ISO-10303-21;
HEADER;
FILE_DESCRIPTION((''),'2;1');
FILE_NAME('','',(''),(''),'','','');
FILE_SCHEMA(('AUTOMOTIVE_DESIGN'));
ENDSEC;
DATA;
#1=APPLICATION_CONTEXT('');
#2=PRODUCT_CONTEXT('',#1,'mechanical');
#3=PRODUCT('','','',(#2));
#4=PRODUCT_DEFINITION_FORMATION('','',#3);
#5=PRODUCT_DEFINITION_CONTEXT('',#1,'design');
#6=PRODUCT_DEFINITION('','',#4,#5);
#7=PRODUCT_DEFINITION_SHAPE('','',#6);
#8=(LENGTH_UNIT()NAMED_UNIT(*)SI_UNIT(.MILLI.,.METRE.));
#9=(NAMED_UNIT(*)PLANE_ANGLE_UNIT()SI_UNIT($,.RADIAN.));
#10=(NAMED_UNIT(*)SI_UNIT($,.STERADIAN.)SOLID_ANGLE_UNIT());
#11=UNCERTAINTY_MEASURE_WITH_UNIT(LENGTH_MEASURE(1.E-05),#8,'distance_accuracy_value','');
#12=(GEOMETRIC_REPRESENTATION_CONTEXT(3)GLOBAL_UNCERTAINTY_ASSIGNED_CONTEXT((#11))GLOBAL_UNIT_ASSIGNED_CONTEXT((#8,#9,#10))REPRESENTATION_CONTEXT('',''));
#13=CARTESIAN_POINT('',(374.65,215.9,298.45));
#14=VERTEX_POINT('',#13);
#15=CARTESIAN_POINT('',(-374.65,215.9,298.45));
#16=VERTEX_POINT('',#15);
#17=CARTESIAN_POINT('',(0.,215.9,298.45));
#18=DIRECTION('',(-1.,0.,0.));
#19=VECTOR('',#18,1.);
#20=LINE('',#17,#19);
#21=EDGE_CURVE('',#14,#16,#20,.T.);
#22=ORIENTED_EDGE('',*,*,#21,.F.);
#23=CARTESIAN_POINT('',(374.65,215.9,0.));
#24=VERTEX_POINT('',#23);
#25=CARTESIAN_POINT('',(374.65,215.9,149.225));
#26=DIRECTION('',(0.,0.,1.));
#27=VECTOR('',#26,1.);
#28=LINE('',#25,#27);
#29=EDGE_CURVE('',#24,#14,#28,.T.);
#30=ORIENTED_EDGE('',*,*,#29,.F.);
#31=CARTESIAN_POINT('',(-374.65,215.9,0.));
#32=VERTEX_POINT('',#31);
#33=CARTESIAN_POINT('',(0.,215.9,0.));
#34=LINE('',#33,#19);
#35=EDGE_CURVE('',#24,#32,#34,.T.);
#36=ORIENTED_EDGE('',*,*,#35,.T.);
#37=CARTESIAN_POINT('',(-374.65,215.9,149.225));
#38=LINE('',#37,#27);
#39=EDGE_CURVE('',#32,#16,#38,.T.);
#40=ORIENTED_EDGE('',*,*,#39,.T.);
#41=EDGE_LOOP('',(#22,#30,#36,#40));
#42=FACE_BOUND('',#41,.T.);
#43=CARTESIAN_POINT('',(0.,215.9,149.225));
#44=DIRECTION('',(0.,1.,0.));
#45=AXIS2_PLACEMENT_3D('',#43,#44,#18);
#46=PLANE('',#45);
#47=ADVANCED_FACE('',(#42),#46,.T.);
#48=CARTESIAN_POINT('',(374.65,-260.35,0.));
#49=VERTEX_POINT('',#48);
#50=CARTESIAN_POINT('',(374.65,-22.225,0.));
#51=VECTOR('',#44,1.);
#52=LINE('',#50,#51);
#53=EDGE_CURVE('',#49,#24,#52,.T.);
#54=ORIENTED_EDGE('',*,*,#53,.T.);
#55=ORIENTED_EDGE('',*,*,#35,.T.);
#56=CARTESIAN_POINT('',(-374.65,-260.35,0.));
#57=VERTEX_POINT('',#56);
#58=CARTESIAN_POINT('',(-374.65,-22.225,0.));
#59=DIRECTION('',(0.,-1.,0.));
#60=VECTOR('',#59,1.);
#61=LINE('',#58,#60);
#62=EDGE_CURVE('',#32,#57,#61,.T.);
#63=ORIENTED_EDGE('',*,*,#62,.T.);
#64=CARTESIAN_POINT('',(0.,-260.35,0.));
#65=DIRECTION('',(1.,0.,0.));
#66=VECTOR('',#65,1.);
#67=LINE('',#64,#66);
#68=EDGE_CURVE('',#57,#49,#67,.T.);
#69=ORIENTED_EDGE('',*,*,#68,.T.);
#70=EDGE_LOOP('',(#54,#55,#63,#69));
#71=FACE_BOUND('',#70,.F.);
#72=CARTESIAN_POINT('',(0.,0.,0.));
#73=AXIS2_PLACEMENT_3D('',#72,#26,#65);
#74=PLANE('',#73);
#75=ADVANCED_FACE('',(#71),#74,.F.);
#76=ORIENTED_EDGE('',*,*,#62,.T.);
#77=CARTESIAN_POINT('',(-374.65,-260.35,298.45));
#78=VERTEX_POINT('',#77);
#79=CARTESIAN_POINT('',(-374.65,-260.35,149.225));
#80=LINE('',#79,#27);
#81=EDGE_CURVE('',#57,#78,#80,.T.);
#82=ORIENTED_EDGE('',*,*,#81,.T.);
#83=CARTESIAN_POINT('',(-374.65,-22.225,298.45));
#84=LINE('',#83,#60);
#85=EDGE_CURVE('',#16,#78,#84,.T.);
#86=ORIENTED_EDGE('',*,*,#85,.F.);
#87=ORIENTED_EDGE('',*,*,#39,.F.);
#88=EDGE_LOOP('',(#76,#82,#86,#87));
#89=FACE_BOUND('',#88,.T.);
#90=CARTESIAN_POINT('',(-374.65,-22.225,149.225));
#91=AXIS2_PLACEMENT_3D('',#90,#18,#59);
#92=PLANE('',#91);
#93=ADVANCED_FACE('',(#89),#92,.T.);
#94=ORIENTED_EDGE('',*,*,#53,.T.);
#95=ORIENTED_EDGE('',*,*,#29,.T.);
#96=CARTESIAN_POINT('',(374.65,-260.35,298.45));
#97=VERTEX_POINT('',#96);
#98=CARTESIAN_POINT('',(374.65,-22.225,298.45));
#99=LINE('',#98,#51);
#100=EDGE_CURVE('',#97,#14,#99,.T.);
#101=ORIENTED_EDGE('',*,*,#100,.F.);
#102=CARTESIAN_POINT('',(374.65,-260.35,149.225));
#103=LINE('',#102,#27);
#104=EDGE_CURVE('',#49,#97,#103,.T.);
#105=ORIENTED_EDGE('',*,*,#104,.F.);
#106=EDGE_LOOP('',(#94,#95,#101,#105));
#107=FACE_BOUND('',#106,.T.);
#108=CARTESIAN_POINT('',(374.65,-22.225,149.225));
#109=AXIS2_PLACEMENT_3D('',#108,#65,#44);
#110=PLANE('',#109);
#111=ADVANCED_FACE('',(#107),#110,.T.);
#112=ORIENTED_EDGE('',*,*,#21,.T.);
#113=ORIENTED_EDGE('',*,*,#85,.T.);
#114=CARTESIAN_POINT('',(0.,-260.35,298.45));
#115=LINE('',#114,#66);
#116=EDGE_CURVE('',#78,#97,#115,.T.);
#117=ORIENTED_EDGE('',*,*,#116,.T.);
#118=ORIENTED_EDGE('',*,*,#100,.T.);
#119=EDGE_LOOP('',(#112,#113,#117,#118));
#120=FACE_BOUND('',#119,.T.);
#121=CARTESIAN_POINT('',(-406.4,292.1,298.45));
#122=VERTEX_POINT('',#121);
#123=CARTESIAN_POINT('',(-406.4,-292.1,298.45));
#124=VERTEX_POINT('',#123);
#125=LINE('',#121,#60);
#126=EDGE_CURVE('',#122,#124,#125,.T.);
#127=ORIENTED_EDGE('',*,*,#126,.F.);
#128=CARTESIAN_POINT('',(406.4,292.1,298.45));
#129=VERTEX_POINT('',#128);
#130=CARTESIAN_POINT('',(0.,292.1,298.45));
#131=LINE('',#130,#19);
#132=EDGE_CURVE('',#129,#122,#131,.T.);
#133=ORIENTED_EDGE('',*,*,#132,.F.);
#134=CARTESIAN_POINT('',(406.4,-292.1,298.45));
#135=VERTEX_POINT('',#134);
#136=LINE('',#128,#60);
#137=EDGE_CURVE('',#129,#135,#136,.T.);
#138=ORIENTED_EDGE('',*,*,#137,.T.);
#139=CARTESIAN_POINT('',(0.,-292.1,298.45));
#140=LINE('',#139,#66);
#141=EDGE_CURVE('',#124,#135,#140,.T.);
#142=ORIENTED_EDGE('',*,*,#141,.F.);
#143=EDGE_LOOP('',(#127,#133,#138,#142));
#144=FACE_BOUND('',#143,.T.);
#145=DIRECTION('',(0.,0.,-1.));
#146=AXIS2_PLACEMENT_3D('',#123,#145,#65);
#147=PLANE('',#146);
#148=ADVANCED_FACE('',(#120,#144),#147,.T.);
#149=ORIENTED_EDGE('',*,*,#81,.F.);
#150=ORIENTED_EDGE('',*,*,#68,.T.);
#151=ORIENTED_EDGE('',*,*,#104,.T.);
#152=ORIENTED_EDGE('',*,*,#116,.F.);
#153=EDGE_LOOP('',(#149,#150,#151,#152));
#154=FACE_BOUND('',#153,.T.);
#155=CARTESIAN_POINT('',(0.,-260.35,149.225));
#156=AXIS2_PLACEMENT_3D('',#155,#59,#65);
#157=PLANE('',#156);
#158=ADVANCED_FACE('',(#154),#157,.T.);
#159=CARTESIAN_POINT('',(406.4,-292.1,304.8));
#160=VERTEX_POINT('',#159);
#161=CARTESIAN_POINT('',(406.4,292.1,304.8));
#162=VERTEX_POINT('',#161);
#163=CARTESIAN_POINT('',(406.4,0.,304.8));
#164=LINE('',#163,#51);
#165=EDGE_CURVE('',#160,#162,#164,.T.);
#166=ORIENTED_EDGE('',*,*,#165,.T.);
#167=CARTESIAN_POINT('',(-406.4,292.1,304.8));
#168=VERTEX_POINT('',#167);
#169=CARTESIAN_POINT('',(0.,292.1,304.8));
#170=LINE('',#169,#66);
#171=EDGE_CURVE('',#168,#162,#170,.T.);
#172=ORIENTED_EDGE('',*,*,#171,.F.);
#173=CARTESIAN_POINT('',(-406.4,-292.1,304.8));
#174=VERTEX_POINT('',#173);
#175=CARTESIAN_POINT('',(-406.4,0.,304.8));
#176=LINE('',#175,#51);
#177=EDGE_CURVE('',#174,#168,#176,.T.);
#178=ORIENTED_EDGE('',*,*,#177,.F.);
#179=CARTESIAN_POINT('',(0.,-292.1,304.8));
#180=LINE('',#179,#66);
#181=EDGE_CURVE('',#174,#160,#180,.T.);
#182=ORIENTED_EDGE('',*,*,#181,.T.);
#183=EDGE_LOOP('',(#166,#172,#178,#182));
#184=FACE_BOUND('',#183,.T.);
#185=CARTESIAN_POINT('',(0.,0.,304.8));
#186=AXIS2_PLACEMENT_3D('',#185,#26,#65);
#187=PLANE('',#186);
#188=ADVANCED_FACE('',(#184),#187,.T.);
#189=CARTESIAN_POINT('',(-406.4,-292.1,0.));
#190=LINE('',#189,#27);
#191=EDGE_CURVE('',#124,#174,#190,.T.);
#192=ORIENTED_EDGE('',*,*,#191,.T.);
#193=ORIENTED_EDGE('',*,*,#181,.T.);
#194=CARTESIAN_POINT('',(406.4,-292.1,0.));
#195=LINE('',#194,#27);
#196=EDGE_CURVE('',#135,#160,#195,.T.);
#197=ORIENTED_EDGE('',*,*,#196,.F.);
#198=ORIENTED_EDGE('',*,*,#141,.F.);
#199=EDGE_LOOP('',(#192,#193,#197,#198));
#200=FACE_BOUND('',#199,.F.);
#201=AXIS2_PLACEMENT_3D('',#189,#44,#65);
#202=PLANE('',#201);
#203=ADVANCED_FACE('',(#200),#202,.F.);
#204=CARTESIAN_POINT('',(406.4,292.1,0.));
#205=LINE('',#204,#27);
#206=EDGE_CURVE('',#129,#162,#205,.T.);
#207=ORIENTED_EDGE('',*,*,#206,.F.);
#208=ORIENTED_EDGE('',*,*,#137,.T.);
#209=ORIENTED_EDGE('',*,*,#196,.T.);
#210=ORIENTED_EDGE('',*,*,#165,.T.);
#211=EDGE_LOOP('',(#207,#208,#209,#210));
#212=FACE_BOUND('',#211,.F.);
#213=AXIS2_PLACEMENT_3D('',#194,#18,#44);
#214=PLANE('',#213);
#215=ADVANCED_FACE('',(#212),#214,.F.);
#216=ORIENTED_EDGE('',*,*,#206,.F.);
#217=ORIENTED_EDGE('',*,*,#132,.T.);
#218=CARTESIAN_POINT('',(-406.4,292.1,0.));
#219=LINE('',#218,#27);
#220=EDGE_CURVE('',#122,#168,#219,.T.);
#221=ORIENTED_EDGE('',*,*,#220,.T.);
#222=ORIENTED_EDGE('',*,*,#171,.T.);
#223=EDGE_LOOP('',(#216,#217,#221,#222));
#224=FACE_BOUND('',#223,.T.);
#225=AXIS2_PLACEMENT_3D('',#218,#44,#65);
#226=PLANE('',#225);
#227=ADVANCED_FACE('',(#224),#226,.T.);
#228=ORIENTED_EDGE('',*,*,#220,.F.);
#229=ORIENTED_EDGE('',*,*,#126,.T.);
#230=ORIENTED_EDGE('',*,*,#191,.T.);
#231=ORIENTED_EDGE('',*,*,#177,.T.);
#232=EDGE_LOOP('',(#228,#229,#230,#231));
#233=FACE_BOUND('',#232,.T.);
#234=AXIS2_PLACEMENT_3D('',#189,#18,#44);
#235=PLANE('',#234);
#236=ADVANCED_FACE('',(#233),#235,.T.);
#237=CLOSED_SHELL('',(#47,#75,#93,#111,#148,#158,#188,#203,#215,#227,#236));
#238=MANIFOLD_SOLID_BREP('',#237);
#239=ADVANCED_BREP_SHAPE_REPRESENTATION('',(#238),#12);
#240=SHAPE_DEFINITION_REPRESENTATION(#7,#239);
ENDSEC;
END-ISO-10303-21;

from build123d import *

# Parameters (mm, degrees)
F0_W     = 812.8
F0_H     = 584.2
F1_DEPTH = 304.8
F2_W     = 812.8
F2_H     = 298.45
F3_DEPTH = 31.75
F4_W     = 812.8
F4_H     = 298.45
F5_DEPTH = 76.2
F6_W     = 476.25
F6_H     = 298.45
F7_DEPTH = 31.75
F8_W     = 476.25
F8_H     = 298.45
F9_DEPTH = 31.75


with BuildPart() as f1:
    # F0 (on Top) → F1 (new body)
    with BuildSketch(Plane.XY):
        Rectangle(F0_W, F0_H)
    extrude(amount=F1_DEPTH)

    # F2 (on face) → F3 (cut)
    with BuildSketch(Plane.XZ.offset(292.1)):
        with Locations((0, 149.225)):
            Rectangle(F2_W, F2_H)
    extrude(amount=-F3_DEPTH, mode=Mode.SUBTRACT)

    # F4 (on face) → F5 (cut)
    with BuildSketch(Plane(origin=(0, 292.1, 0), x_dir=(-1, 0, 0), z_dir=(0, 1, 0))):
        with Locations((0, 149.225)):
            Rectangle(F4_W, F4_H)
    extrude(amount=-F5_DEPTH, mode=Mode.SUBTRACT)

    # F6 (on face) → F7 (cut)
    with BuildSketch(Plane.YZ.offset(406.4)):
        with Locations((-22.225, 149.225)):
            Rectangle(F6_W, F6_H)
    extrude(amount=-F7_DEPTH, mode=Mode.SUBTRACT)

    # F8 (on face) → F9 (cut)
    with BuildSketch(Plane(origin=(-406.4, 0, 0), x_dir=(0, -1, 0), z_dir=(-1, 0, 0))):
        with Locations((22.225, 149.225)):
            Rectangle(F8_W, F8_H)
    extrude(amount=-F9_DEPTH, mode=Mode.SUBTRACT)


solid = f1.part
